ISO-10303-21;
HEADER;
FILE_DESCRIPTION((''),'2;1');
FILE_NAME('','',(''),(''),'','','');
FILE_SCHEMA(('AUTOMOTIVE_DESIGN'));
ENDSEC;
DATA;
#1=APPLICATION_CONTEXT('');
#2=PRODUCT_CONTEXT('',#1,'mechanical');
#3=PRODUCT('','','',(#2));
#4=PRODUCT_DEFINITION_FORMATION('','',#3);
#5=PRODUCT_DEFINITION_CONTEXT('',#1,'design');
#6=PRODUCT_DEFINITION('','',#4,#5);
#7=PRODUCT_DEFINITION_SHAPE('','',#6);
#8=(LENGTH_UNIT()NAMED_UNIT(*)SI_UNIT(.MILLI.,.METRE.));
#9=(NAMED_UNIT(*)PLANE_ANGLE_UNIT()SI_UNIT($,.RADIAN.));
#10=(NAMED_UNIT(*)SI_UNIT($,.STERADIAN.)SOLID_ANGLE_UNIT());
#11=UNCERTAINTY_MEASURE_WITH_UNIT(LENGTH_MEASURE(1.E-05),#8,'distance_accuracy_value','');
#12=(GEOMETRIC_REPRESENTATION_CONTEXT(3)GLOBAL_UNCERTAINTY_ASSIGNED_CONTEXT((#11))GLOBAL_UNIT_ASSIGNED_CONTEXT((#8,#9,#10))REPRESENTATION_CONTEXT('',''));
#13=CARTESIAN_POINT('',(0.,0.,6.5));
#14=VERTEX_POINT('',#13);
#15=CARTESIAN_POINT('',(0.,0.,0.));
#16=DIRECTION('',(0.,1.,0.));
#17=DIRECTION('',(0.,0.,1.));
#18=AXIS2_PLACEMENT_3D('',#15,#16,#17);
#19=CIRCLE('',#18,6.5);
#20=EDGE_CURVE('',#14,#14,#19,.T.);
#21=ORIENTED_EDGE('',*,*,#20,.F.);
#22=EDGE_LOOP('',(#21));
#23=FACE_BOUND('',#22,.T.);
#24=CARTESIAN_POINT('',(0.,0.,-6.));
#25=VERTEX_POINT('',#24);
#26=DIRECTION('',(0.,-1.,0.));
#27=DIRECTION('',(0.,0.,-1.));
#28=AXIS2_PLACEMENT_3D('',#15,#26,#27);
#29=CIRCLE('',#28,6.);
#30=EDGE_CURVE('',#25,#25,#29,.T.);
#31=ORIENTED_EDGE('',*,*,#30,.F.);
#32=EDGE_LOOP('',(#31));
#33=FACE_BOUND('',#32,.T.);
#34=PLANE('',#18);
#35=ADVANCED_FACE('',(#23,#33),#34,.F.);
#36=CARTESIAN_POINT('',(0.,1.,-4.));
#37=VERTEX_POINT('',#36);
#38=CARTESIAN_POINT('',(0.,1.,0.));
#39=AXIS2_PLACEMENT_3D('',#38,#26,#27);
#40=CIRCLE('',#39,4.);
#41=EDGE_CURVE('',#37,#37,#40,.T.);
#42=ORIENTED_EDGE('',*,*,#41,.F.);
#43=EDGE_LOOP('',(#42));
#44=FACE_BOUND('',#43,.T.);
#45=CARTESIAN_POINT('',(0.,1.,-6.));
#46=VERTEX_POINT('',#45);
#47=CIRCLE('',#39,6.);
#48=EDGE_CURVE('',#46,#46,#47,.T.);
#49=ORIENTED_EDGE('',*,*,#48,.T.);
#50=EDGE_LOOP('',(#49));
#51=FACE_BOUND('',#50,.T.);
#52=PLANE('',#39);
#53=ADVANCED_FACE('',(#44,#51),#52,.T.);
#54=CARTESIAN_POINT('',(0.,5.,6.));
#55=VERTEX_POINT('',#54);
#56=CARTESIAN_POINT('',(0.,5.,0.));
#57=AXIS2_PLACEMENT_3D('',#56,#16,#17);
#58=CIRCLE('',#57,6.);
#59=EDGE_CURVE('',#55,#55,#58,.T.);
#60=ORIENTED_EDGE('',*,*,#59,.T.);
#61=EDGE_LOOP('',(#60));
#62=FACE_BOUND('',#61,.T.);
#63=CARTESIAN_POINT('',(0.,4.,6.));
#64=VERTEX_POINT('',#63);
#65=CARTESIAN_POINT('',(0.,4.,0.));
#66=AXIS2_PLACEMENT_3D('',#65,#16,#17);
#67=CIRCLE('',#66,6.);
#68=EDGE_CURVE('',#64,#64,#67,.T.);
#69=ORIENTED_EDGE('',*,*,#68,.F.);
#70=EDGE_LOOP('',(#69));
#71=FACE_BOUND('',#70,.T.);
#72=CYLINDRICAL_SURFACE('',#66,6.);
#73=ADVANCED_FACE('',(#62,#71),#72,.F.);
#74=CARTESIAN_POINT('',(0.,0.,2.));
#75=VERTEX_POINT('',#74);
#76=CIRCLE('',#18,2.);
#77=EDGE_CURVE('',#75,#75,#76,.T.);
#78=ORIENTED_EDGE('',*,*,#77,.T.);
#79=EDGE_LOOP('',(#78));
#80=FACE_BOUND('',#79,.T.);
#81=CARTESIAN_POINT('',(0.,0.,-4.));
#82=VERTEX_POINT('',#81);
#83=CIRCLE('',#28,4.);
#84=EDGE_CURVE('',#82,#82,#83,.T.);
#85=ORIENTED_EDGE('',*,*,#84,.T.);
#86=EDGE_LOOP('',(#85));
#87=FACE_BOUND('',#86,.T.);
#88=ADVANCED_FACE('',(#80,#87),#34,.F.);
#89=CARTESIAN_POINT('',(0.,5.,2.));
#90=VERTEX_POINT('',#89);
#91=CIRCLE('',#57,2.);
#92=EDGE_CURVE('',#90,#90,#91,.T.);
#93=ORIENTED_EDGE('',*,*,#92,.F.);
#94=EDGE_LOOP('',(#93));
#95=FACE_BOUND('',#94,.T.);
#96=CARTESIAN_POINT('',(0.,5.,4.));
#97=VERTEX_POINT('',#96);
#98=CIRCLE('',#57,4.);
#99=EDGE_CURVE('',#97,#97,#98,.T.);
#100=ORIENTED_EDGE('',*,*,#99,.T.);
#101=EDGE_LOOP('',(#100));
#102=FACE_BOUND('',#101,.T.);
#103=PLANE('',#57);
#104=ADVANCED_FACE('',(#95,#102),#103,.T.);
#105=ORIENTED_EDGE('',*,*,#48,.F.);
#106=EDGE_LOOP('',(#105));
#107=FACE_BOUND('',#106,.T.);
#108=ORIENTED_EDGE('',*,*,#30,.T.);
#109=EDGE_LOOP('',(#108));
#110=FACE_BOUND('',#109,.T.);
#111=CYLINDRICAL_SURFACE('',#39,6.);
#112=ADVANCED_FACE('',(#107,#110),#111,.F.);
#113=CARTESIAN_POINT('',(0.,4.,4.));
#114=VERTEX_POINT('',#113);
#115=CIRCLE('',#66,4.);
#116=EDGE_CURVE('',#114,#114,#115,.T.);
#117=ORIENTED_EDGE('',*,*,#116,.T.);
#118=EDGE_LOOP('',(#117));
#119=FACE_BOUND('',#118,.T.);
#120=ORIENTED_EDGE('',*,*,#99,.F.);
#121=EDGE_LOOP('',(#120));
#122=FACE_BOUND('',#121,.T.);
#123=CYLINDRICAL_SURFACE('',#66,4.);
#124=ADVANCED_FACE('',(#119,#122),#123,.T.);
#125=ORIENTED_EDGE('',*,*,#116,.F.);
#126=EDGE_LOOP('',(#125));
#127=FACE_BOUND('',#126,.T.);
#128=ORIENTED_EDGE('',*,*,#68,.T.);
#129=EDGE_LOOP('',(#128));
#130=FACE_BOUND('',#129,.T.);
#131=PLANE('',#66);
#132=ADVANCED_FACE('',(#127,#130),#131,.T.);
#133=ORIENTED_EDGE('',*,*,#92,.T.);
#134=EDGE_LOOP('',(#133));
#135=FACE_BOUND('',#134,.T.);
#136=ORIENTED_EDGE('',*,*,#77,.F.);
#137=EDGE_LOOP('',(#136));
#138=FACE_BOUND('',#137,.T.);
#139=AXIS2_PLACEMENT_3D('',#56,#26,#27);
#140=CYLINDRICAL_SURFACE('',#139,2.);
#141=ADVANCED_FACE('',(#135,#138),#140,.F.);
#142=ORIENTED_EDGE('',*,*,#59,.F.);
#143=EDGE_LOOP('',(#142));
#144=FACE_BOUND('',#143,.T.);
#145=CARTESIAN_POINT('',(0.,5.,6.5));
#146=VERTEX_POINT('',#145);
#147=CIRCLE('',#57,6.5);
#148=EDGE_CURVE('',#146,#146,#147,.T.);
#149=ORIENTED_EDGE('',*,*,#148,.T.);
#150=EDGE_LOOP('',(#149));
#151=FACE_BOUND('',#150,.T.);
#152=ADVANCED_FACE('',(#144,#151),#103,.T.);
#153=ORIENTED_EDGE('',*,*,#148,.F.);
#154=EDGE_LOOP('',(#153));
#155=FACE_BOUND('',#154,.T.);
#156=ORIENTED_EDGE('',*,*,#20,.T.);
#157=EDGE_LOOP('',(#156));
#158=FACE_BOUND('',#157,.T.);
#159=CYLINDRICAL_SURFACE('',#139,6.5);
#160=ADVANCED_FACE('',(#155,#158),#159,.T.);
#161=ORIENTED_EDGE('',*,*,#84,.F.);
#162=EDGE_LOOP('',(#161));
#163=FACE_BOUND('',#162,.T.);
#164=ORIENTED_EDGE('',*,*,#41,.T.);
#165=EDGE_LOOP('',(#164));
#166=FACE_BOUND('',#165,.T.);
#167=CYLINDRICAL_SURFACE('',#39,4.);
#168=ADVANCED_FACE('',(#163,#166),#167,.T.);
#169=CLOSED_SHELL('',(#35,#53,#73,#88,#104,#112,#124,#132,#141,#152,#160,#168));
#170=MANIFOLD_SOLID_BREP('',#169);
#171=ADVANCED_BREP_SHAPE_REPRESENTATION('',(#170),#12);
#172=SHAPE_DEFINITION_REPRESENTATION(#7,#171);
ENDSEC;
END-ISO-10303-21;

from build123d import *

# Parameters (mm, degrees)
SKETCH2_R           = 6.5
SKETCH2_R_2         = 2
BOSS_EXTRUDE1_DEPTH = 5
SKETCH3_R           = 6
SKETCH3_R_2         = 4
CUT_EXTRUDE1_DEPTH  = 1
CUT_EXTRUDE2_START  = -1
SKETCH4_R           = 6
SKETCH4_R_2         = 4
CUT_EXTRUDE2_DEPTH  = 1


with BuildPart() as part:
    # Sketch2 → Boss-Extrude1 (new body)
    with BuildSketch(Plane(origin=(0, 0, 0), x_dir=(1, 0, 0), z_dir=(0, 1, 0))):
        with Locations(Location((0, 0, 0), (0, 0, 270))):
            Circle(SKETCH2_R)
        with Locations(Location((0, 0, 0), (0, 0, 270))):
            Circle(SKETCH2_R_2, mode=Mode.SUBTRACT)
    extrude(amount=BOSS_EXTRUDE1_DEPTH)

    # Sketch3 → Cut-Extrude1 (cut)
    with BuildSketch(Plane(origin=(0, 5, 0), x_dir=(1, 0, 0), z_dir=(0, 1, 0))):
        with Locations(Location((0, 0, 0), (0, 0, 270))):
            Circle(SKETCH3_R)
        with Locations(Location((0, 0, 0), (0, 0, 270))):
            Circle(SKETCH3_R_2, mode=Mode.SUBTRACT)
    extrude(amount=-CUT_EXTRUDE1_DEPTH, mode=Mode.SUBTRACT)

    # Sketch4 → Cut-Extrude2 (cut)
    with BuildSketch(Plane.XZ.offset(CUT_EXTRUDE2_START)):
        with Locations(Location((0, 0, 0), (0, 0, 90))):
            Circle(SKETCH4_R)
        with Locations(Location((0, 0, 0), (0, 0, 90))):
            Circle(SKETCH4_R_2, mode=Mode.SUBTRACT)
    extrude(amount=CUT_EXTRUDE2_DEPTH, mode=Mode.SUBTRACT)


solid = part.part
